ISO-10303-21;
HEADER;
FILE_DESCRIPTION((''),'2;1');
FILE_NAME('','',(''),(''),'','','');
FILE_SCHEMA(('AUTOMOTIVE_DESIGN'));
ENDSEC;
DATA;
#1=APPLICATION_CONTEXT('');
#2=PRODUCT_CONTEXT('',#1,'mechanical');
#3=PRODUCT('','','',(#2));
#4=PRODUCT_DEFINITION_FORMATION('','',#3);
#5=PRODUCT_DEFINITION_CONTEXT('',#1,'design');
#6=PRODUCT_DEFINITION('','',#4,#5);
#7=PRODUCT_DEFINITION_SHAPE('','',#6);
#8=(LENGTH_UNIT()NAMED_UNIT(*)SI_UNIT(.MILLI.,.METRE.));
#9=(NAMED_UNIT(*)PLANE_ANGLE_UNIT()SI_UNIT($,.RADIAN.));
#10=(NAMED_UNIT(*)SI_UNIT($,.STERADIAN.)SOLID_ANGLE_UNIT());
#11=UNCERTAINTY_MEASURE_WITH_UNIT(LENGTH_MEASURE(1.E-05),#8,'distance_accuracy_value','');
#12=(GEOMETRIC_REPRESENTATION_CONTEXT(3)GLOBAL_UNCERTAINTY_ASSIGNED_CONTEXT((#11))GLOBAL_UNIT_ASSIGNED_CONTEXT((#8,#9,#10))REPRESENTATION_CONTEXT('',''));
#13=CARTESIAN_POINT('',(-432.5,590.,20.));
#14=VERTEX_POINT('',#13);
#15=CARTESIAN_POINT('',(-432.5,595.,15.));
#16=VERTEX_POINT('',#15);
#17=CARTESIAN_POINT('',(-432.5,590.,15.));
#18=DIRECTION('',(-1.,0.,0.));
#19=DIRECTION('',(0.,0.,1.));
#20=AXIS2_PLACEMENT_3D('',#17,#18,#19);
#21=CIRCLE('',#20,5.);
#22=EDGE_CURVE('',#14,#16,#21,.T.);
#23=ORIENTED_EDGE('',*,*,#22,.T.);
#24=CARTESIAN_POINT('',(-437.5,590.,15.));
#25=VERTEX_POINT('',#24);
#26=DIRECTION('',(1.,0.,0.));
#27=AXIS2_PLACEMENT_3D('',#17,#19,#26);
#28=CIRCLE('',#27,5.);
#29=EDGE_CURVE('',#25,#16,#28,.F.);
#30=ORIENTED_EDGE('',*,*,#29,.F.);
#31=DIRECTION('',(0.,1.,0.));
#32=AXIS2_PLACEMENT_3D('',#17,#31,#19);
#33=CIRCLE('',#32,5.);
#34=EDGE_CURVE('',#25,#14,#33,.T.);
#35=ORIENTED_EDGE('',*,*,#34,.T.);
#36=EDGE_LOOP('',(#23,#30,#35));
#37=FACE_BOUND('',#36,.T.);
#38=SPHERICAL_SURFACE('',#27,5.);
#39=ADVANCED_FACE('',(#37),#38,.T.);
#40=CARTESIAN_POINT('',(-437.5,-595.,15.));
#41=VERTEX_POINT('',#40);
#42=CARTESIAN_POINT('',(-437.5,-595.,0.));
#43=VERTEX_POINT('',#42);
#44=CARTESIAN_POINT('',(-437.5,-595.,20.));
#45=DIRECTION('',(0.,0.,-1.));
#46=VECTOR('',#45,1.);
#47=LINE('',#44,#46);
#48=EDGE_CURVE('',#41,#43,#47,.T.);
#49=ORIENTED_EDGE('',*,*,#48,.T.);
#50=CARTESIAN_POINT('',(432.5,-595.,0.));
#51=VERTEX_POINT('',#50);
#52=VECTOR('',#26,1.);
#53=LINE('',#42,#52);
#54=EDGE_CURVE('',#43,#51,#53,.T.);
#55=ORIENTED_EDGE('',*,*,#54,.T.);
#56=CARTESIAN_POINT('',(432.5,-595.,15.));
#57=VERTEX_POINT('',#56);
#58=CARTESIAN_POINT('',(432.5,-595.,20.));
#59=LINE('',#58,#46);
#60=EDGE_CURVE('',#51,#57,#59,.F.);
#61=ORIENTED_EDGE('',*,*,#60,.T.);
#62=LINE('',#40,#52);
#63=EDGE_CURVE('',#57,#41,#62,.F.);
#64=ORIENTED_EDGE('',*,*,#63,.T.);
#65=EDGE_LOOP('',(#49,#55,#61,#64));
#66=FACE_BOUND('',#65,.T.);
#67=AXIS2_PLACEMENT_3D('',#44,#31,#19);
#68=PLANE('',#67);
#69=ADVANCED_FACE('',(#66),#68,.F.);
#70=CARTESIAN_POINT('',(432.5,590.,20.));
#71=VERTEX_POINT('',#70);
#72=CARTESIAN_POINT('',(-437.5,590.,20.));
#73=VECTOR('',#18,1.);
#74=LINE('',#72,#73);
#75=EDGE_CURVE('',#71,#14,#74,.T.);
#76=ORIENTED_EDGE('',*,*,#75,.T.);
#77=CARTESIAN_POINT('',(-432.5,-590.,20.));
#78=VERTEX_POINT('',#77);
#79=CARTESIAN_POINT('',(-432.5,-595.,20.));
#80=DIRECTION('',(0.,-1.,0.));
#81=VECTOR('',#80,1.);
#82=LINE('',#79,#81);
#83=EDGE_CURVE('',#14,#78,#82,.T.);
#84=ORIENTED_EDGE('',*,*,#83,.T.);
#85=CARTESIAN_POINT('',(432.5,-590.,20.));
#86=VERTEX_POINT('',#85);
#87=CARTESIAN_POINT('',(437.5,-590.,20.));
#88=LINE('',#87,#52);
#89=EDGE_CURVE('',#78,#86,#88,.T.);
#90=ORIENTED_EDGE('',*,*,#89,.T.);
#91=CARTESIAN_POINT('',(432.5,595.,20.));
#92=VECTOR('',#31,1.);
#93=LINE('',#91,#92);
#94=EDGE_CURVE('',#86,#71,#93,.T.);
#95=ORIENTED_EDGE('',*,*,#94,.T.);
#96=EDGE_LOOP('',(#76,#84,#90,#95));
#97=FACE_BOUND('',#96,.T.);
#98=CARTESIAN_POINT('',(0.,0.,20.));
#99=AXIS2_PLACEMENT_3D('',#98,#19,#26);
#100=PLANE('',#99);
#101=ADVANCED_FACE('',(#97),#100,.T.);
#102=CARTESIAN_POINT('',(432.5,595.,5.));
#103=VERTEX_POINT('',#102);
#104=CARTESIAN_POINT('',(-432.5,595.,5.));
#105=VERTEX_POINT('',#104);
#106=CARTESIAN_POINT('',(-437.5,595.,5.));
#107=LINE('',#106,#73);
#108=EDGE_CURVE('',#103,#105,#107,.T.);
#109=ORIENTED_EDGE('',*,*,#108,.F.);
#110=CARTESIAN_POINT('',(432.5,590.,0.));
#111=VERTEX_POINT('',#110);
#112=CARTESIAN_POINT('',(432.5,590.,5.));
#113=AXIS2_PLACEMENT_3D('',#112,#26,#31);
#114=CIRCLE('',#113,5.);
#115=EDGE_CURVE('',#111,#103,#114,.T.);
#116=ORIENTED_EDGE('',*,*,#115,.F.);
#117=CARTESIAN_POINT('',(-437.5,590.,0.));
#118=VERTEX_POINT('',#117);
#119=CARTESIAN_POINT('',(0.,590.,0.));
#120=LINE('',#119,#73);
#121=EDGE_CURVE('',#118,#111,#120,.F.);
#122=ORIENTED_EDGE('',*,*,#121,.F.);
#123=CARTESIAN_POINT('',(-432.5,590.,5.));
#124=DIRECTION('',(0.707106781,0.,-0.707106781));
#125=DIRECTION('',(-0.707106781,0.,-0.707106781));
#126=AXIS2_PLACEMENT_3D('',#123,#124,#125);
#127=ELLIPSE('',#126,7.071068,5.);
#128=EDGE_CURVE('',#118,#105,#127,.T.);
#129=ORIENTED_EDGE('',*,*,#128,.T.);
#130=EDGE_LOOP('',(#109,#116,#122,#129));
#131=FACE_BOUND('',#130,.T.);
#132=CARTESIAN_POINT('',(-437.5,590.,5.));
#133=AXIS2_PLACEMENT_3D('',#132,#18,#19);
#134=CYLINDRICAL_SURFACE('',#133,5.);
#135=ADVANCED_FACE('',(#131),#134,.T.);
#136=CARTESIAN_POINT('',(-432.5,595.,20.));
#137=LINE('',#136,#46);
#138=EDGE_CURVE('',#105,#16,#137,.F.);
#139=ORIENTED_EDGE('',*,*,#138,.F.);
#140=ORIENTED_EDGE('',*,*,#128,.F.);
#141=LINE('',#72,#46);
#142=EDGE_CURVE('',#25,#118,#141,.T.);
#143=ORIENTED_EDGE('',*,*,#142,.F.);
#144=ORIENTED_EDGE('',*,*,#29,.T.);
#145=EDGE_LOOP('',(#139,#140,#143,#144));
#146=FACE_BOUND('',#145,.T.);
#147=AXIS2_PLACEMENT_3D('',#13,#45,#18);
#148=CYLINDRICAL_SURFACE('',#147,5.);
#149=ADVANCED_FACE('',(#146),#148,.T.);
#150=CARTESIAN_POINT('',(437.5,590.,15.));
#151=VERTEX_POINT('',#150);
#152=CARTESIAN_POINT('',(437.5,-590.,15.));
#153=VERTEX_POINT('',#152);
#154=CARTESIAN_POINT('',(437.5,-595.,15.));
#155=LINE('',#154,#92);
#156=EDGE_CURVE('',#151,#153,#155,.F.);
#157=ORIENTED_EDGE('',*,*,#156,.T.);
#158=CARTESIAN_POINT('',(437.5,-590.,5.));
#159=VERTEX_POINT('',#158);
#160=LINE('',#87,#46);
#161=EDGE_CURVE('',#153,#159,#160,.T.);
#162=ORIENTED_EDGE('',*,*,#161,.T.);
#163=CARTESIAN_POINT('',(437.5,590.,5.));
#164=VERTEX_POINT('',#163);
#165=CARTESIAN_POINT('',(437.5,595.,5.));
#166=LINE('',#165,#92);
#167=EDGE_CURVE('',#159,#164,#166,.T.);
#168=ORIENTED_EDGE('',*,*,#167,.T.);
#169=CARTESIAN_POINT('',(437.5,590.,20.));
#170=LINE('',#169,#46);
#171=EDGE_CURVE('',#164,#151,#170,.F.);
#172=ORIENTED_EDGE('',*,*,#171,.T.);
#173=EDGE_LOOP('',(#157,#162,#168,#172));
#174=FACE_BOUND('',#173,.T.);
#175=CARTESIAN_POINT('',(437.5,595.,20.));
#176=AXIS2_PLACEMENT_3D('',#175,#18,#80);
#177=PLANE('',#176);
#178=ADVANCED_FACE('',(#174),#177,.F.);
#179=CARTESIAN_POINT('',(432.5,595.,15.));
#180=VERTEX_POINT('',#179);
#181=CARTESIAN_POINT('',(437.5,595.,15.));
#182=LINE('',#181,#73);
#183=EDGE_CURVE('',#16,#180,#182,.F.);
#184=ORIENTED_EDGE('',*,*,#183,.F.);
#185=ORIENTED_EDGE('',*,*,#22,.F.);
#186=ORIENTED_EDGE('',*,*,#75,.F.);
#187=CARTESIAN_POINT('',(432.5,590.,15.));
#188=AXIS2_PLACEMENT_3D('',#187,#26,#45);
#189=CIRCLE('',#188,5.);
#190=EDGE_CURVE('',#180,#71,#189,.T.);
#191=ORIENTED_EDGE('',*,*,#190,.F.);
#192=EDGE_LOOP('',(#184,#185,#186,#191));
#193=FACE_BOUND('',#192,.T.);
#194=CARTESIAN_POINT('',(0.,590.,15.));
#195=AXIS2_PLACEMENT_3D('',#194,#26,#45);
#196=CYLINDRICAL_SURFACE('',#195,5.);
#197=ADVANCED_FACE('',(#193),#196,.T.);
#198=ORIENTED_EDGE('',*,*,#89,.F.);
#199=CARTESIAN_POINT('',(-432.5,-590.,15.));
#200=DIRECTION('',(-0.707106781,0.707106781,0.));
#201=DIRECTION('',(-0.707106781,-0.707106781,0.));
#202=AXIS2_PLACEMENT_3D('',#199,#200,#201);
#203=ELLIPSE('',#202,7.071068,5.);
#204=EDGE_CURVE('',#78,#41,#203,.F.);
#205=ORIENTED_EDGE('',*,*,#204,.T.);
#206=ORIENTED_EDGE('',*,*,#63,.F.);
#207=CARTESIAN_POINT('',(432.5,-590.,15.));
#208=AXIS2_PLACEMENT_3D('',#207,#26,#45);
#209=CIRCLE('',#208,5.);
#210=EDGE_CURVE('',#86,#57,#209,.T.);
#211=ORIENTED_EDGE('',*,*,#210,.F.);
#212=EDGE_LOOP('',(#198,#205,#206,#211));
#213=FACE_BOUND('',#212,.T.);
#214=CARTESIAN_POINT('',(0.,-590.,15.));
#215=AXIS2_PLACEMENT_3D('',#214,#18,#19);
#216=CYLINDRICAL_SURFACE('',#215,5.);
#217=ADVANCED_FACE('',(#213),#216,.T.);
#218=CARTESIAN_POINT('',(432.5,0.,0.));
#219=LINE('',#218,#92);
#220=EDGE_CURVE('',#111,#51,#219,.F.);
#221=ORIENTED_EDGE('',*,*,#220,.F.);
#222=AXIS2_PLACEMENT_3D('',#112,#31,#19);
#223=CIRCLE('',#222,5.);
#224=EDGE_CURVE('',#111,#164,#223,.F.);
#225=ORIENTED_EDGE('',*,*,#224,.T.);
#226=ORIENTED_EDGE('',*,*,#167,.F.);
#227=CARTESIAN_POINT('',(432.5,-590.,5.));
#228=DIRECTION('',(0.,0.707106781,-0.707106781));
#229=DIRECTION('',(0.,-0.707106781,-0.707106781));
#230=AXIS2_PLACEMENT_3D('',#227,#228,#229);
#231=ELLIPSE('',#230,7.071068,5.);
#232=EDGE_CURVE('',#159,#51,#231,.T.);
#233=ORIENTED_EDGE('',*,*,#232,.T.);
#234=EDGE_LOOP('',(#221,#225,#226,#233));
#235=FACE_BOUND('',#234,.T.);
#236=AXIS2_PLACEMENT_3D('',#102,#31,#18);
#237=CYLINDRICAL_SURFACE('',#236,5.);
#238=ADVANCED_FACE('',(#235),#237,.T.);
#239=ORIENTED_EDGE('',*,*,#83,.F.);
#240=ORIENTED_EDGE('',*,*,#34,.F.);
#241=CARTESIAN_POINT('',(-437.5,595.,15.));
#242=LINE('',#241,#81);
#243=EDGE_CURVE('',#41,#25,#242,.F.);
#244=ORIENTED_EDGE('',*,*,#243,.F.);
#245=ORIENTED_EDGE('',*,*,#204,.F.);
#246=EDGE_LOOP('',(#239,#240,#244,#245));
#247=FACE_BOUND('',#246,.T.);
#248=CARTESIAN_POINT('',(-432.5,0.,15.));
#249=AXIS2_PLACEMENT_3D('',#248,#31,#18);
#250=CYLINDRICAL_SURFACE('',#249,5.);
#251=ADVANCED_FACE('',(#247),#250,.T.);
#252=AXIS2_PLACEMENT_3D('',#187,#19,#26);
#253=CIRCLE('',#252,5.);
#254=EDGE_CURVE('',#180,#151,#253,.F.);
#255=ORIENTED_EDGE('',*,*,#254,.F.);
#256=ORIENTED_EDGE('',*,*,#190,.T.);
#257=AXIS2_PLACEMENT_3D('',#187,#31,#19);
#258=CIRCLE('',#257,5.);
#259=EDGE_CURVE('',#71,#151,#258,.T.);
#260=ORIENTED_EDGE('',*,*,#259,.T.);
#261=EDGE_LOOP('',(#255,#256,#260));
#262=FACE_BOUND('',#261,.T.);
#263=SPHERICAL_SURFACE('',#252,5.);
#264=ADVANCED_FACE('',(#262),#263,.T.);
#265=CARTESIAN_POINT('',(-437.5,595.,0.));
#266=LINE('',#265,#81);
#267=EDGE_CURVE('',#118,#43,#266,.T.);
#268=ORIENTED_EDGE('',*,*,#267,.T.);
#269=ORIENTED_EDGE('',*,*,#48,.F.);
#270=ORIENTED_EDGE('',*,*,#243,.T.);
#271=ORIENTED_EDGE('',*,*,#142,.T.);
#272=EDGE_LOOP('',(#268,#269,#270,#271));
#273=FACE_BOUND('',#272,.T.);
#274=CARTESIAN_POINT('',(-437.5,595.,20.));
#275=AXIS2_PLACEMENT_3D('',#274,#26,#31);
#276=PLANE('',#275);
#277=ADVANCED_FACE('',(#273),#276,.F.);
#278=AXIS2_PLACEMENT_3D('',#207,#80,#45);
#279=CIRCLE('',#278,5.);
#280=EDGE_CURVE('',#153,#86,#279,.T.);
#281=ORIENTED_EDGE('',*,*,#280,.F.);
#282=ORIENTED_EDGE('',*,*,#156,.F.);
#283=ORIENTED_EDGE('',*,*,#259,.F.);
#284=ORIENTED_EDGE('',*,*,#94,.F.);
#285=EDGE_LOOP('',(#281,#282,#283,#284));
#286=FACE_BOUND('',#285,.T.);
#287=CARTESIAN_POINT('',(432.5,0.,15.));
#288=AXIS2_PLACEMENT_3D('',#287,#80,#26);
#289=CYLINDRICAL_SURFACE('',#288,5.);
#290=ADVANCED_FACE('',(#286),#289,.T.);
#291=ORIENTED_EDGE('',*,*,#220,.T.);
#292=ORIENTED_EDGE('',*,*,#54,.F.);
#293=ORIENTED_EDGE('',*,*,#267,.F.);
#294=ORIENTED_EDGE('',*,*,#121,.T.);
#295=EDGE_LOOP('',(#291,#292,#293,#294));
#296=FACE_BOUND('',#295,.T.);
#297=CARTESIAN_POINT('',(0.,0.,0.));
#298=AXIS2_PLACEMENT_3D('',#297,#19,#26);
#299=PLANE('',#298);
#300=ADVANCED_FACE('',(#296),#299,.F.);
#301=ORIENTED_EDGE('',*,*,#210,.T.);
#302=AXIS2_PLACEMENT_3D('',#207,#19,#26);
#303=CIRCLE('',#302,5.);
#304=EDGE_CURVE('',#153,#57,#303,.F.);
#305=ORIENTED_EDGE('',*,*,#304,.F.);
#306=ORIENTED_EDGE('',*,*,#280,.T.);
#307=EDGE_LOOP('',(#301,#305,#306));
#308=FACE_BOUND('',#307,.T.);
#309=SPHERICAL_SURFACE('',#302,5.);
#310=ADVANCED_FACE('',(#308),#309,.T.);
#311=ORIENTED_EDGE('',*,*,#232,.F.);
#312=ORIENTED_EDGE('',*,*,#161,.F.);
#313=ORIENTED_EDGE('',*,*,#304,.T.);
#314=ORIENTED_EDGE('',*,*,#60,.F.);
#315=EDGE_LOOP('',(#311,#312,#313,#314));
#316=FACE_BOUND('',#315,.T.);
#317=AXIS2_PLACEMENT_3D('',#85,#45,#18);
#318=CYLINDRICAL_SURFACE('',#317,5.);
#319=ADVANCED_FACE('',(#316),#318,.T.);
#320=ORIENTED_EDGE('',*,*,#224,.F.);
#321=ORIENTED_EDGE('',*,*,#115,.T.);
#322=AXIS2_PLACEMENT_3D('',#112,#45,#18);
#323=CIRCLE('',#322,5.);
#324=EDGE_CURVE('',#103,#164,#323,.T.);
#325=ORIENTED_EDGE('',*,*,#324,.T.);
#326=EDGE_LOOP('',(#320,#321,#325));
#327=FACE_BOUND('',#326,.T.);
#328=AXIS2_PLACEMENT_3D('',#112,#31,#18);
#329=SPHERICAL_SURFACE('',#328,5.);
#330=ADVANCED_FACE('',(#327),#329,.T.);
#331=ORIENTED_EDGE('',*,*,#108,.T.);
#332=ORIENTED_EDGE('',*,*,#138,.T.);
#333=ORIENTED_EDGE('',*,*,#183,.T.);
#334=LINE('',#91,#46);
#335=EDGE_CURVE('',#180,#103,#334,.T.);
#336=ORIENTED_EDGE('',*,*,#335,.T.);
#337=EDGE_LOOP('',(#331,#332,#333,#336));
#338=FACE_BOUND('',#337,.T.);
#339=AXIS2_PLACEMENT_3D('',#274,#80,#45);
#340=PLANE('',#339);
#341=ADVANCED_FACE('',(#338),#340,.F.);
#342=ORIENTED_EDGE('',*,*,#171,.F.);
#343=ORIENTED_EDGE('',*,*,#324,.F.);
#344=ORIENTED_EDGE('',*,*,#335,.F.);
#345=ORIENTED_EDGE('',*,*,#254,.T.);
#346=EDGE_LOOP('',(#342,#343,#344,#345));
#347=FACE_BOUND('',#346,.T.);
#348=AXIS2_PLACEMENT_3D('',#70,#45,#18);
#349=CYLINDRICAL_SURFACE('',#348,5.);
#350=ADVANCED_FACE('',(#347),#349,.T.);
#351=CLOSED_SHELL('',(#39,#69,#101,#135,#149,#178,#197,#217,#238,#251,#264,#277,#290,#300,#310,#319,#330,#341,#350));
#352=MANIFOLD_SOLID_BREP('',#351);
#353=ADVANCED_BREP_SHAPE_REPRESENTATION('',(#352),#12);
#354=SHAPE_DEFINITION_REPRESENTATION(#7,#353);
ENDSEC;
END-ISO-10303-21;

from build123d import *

# Parameters (mm, degrees)
SKETCH1_W           = 875
SKETCH1_H           = 1190
BOSS_EXTRUDE1_DEPTH = 20
FILLET1_R           = 5


with BuildPart() as part:
    # Sketch1 → Boss-Extrude1 (new body)
    with BuildSketch(Plane.XY):
        Rectangle(SKETCH1_W, SKETCH1_H)
    extrude(amount=BOSS_EXTRUDE1_DEPTH)

    # Fillet1
    fillet1_edges = [part.edges().sort_by_distance(p)[0] for p in [
        (-437.5, 0, 20),
        (0, -595, 20),
        (437.5, 0, 20),
        (0, 595, 0),
        (437.5, 0, 0),
        (437.5, -595, 10),
        (-437.5, 595, 10),
        (437.5, 595, 10),
        (0, 595, 20),
    ]]
    fillet(fillet1_edges, radius=FILLET1_R)


solid = part.part
